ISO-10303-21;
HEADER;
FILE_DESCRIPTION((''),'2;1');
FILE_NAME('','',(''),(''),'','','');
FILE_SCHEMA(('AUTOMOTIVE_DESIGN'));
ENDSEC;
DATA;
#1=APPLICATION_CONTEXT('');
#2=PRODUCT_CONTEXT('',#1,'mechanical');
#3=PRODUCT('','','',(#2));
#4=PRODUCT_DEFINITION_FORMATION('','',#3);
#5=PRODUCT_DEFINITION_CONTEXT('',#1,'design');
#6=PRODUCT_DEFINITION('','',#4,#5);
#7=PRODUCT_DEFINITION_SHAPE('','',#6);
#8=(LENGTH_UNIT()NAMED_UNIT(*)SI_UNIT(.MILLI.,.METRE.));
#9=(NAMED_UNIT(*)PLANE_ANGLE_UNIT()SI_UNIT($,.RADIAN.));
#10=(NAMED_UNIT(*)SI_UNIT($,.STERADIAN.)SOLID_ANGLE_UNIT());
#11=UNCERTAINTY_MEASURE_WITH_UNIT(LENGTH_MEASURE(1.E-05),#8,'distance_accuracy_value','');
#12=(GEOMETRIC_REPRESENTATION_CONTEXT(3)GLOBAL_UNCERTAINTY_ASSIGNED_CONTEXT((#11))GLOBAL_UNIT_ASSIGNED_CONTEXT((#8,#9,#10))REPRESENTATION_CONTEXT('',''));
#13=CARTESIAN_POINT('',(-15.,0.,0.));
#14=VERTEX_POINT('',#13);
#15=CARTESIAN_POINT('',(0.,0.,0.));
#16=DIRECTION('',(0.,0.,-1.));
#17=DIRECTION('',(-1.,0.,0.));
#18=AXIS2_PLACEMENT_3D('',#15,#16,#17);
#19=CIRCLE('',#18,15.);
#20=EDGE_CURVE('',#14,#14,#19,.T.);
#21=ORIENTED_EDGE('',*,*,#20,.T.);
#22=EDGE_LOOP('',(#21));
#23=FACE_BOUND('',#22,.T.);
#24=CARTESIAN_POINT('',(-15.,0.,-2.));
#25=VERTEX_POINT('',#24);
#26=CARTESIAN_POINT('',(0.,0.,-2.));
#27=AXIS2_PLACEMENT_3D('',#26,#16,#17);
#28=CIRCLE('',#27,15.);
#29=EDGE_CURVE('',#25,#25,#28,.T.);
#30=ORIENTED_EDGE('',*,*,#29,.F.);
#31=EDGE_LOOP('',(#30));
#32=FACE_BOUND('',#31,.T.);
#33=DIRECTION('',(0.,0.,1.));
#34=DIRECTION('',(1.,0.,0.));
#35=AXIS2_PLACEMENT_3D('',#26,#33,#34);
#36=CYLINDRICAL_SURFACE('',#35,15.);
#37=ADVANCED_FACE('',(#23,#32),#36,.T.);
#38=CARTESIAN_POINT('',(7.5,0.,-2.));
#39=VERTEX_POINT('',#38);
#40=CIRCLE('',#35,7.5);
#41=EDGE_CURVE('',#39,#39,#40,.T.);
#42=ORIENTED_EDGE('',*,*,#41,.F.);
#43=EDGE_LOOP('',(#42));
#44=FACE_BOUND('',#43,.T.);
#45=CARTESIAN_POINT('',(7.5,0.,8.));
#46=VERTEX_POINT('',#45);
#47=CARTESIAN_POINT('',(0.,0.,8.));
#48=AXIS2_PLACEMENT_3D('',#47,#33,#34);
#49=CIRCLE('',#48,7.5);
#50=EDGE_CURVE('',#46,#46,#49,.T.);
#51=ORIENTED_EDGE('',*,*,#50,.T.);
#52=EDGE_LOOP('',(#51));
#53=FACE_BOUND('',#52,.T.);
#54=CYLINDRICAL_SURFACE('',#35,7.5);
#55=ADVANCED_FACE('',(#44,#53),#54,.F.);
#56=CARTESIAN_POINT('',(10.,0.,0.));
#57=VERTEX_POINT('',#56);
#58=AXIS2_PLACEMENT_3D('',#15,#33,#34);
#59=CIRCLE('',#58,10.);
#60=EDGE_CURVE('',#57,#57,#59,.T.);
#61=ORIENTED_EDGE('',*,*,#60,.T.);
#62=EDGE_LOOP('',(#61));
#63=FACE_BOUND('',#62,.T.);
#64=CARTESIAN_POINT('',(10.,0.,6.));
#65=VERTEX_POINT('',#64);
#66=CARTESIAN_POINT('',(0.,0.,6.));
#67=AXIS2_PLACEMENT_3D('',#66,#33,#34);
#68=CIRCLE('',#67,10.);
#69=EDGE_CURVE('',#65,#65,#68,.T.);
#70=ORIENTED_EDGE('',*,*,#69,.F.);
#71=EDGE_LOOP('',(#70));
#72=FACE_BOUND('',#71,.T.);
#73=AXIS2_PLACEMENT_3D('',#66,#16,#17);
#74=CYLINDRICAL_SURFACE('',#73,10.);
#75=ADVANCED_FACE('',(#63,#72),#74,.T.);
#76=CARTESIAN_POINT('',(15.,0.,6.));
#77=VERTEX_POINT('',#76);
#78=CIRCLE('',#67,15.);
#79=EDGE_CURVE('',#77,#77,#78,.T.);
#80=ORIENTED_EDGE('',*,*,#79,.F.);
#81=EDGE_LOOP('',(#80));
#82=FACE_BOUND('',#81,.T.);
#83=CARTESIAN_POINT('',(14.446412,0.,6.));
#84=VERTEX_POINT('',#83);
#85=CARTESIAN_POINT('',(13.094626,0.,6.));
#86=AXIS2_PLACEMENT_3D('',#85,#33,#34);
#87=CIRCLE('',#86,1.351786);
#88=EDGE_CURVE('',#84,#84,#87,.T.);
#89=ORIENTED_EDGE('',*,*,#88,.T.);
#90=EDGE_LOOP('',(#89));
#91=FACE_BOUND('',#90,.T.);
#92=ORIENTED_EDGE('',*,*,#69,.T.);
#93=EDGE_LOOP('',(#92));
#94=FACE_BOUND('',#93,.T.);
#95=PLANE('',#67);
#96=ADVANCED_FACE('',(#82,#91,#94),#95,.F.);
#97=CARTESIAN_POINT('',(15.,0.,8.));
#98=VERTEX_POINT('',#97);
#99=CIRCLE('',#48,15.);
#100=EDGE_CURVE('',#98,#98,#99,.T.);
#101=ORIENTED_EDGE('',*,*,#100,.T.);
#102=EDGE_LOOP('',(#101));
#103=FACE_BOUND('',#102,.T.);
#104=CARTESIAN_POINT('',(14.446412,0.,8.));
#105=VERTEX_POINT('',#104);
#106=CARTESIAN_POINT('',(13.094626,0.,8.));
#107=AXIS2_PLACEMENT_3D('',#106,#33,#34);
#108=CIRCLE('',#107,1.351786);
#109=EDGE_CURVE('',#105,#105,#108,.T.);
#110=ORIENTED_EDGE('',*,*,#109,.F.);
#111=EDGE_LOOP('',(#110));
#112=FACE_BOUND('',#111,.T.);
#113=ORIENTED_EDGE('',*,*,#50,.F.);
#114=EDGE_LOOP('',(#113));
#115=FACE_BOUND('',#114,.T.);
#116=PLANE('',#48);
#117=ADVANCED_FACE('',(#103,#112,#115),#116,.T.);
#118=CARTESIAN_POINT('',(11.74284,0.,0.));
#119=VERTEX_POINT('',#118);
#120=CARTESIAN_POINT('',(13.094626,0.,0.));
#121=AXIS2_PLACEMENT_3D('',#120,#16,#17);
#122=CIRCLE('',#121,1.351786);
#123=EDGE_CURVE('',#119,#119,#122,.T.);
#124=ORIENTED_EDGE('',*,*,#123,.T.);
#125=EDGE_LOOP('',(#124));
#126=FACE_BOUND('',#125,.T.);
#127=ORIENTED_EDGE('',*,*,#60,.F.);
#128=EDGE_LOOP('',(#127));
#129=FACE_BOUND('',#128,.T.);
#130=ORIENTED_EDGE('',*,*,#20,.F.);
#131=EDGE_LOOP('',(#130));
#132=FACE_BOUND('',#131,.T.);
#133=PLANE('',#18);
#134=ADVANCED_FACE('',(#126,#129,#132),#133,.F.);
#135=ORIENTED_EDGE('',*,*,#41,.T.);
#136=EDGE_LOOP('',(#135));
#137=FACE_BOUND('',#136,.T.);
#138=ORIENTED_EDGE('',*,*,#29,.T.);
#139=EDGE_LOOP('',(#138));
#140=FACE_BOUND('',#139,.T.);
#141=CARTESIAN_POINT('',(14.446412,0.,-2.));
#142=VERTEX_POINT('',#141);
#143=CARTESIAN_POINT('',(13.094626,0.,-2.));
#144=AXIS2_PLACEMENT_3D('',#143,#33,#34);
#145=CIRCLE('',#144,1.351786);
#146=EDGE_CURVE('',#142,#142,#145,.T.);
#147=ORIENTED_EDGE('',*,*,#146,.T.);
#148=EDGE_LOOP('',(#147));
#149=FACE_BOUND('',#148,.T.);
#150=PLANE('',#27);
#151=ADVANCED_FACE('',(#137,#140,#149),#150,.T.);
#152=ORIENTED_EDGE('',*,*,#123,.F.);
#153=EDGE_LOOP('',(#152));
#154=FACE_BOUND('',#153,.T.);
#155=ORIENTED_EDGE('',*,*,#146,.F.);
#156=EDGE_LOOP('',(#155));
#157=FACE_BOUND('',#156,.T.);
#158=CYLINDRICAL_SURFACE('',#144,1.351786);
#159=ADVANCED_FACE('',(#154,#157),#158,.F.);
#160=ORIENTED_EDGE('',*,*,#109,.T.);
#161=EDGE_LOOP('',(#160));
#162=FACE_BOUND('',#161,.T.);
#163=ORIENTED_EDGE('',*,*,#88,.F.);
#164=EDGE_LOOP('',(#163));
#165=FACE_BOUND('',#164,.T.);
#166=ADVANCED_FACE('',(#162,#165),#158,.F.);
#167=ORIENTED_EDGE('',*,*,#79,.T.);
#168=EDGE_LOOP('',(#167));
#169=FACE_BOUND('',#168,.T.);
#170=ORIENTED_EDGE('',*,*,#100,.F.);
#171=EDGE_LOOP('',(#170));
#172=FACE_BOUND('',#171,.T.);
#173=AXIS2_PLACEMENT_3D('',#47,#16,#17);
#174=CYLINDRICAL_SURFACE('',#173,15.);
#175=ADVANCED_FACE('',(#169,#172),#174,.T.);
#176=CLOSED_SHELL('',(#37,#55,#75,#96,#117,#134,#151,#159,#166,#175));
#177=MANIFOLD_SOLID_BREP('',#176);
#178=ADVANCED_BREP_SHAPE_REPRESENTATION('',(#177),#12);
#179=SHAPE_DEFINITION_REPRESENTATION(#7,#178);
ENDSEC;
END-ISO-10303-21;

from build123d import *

# Parameters (mm, degrees)
SKETCH_2_R               = 10
EXTRUDE_1_DEPTH          = 6
SKETCH_3_R               = 15
EXTRUDE_2_DEPTH          = 2
EXTRUDE_START            = 2
SKETCH_4_R               = 15
EXTRUDE_3_DEPTH          = 2
CUT_EXTRUDE_1_DEPTH      = 24.452078799
CUT_EXTRUDE_1_DEPTH_BACK = 24.452078799
SKETCH_5_R               = 7.5
CUT_EXTRUDE_2_DEPTH      = 24.452078799
CUT_EXTRUDE_2_DEPTH_BACK = 24.452078799
SKETCH_6_R               = 1.351786052


with BuildPart() as part:
    # 스케치2 → 보스-돌출1 (new body)
    with BuildSketch(Plane.XY):
        Circle(SKETCH_2_R)
    extrude(amount=EXTRUDE_1_DEPTH)

    # 스케치3 → 보스-돌출2 (add)
    with BuildSketch(Plane(origin=(0, 0, 0), x_dir=(-1, 0, 0), z_dir=(0, 0, -1))):
        Circle(SKETCH_3_R)
    extrude(amount=EXTRUDE_2_DEPTH)

    # 스케치4 → 보스-돌출3 (add)
    with BuildSketch(Plane.XY.offset(6).offset(EXTRUDE_START)):
        with Locations(Location((0, 0, 0), (0, 0, 180))):
            Circle(SKETCH_4_R)
    extrude(amount=-EXTRUDE_3_DEPTH)

    # 스케치5 → 컷-돌출1 (cut, two sides: drawn at the far end of the back side and taken through both)
    with BuildSketch(Plane.XY.offset(8).offset(-CUT_EXTRUDE_1_DEPTH_BACK)):
        Circle(SKETCH_5_R)
    extrude(amount=CUT_EXTRUDE_1_DEPTH + CUT_EXTRUDE_1_DEPTH_BACK, mode=Mode.SUBTRACT)

    # 스케치6 → 컷-돌출2 (cut, two sides: drawn at the far end of the back side and taken through both)
    with BuildSketch(Plane.XY.offset(8).offset(-CUT_EXTRUDE_2_DEPTH_BACK)):
        with Locations((13.094626163, 0)):
            Circle(SKETCH_6_R)
    extrude(amount=CUT_EXTRUDE_2_DEPTH + CUT_EXTRUDE_2_DEPTH_BACK, mode=Mode.SUBTRACT)


solid = part.part
